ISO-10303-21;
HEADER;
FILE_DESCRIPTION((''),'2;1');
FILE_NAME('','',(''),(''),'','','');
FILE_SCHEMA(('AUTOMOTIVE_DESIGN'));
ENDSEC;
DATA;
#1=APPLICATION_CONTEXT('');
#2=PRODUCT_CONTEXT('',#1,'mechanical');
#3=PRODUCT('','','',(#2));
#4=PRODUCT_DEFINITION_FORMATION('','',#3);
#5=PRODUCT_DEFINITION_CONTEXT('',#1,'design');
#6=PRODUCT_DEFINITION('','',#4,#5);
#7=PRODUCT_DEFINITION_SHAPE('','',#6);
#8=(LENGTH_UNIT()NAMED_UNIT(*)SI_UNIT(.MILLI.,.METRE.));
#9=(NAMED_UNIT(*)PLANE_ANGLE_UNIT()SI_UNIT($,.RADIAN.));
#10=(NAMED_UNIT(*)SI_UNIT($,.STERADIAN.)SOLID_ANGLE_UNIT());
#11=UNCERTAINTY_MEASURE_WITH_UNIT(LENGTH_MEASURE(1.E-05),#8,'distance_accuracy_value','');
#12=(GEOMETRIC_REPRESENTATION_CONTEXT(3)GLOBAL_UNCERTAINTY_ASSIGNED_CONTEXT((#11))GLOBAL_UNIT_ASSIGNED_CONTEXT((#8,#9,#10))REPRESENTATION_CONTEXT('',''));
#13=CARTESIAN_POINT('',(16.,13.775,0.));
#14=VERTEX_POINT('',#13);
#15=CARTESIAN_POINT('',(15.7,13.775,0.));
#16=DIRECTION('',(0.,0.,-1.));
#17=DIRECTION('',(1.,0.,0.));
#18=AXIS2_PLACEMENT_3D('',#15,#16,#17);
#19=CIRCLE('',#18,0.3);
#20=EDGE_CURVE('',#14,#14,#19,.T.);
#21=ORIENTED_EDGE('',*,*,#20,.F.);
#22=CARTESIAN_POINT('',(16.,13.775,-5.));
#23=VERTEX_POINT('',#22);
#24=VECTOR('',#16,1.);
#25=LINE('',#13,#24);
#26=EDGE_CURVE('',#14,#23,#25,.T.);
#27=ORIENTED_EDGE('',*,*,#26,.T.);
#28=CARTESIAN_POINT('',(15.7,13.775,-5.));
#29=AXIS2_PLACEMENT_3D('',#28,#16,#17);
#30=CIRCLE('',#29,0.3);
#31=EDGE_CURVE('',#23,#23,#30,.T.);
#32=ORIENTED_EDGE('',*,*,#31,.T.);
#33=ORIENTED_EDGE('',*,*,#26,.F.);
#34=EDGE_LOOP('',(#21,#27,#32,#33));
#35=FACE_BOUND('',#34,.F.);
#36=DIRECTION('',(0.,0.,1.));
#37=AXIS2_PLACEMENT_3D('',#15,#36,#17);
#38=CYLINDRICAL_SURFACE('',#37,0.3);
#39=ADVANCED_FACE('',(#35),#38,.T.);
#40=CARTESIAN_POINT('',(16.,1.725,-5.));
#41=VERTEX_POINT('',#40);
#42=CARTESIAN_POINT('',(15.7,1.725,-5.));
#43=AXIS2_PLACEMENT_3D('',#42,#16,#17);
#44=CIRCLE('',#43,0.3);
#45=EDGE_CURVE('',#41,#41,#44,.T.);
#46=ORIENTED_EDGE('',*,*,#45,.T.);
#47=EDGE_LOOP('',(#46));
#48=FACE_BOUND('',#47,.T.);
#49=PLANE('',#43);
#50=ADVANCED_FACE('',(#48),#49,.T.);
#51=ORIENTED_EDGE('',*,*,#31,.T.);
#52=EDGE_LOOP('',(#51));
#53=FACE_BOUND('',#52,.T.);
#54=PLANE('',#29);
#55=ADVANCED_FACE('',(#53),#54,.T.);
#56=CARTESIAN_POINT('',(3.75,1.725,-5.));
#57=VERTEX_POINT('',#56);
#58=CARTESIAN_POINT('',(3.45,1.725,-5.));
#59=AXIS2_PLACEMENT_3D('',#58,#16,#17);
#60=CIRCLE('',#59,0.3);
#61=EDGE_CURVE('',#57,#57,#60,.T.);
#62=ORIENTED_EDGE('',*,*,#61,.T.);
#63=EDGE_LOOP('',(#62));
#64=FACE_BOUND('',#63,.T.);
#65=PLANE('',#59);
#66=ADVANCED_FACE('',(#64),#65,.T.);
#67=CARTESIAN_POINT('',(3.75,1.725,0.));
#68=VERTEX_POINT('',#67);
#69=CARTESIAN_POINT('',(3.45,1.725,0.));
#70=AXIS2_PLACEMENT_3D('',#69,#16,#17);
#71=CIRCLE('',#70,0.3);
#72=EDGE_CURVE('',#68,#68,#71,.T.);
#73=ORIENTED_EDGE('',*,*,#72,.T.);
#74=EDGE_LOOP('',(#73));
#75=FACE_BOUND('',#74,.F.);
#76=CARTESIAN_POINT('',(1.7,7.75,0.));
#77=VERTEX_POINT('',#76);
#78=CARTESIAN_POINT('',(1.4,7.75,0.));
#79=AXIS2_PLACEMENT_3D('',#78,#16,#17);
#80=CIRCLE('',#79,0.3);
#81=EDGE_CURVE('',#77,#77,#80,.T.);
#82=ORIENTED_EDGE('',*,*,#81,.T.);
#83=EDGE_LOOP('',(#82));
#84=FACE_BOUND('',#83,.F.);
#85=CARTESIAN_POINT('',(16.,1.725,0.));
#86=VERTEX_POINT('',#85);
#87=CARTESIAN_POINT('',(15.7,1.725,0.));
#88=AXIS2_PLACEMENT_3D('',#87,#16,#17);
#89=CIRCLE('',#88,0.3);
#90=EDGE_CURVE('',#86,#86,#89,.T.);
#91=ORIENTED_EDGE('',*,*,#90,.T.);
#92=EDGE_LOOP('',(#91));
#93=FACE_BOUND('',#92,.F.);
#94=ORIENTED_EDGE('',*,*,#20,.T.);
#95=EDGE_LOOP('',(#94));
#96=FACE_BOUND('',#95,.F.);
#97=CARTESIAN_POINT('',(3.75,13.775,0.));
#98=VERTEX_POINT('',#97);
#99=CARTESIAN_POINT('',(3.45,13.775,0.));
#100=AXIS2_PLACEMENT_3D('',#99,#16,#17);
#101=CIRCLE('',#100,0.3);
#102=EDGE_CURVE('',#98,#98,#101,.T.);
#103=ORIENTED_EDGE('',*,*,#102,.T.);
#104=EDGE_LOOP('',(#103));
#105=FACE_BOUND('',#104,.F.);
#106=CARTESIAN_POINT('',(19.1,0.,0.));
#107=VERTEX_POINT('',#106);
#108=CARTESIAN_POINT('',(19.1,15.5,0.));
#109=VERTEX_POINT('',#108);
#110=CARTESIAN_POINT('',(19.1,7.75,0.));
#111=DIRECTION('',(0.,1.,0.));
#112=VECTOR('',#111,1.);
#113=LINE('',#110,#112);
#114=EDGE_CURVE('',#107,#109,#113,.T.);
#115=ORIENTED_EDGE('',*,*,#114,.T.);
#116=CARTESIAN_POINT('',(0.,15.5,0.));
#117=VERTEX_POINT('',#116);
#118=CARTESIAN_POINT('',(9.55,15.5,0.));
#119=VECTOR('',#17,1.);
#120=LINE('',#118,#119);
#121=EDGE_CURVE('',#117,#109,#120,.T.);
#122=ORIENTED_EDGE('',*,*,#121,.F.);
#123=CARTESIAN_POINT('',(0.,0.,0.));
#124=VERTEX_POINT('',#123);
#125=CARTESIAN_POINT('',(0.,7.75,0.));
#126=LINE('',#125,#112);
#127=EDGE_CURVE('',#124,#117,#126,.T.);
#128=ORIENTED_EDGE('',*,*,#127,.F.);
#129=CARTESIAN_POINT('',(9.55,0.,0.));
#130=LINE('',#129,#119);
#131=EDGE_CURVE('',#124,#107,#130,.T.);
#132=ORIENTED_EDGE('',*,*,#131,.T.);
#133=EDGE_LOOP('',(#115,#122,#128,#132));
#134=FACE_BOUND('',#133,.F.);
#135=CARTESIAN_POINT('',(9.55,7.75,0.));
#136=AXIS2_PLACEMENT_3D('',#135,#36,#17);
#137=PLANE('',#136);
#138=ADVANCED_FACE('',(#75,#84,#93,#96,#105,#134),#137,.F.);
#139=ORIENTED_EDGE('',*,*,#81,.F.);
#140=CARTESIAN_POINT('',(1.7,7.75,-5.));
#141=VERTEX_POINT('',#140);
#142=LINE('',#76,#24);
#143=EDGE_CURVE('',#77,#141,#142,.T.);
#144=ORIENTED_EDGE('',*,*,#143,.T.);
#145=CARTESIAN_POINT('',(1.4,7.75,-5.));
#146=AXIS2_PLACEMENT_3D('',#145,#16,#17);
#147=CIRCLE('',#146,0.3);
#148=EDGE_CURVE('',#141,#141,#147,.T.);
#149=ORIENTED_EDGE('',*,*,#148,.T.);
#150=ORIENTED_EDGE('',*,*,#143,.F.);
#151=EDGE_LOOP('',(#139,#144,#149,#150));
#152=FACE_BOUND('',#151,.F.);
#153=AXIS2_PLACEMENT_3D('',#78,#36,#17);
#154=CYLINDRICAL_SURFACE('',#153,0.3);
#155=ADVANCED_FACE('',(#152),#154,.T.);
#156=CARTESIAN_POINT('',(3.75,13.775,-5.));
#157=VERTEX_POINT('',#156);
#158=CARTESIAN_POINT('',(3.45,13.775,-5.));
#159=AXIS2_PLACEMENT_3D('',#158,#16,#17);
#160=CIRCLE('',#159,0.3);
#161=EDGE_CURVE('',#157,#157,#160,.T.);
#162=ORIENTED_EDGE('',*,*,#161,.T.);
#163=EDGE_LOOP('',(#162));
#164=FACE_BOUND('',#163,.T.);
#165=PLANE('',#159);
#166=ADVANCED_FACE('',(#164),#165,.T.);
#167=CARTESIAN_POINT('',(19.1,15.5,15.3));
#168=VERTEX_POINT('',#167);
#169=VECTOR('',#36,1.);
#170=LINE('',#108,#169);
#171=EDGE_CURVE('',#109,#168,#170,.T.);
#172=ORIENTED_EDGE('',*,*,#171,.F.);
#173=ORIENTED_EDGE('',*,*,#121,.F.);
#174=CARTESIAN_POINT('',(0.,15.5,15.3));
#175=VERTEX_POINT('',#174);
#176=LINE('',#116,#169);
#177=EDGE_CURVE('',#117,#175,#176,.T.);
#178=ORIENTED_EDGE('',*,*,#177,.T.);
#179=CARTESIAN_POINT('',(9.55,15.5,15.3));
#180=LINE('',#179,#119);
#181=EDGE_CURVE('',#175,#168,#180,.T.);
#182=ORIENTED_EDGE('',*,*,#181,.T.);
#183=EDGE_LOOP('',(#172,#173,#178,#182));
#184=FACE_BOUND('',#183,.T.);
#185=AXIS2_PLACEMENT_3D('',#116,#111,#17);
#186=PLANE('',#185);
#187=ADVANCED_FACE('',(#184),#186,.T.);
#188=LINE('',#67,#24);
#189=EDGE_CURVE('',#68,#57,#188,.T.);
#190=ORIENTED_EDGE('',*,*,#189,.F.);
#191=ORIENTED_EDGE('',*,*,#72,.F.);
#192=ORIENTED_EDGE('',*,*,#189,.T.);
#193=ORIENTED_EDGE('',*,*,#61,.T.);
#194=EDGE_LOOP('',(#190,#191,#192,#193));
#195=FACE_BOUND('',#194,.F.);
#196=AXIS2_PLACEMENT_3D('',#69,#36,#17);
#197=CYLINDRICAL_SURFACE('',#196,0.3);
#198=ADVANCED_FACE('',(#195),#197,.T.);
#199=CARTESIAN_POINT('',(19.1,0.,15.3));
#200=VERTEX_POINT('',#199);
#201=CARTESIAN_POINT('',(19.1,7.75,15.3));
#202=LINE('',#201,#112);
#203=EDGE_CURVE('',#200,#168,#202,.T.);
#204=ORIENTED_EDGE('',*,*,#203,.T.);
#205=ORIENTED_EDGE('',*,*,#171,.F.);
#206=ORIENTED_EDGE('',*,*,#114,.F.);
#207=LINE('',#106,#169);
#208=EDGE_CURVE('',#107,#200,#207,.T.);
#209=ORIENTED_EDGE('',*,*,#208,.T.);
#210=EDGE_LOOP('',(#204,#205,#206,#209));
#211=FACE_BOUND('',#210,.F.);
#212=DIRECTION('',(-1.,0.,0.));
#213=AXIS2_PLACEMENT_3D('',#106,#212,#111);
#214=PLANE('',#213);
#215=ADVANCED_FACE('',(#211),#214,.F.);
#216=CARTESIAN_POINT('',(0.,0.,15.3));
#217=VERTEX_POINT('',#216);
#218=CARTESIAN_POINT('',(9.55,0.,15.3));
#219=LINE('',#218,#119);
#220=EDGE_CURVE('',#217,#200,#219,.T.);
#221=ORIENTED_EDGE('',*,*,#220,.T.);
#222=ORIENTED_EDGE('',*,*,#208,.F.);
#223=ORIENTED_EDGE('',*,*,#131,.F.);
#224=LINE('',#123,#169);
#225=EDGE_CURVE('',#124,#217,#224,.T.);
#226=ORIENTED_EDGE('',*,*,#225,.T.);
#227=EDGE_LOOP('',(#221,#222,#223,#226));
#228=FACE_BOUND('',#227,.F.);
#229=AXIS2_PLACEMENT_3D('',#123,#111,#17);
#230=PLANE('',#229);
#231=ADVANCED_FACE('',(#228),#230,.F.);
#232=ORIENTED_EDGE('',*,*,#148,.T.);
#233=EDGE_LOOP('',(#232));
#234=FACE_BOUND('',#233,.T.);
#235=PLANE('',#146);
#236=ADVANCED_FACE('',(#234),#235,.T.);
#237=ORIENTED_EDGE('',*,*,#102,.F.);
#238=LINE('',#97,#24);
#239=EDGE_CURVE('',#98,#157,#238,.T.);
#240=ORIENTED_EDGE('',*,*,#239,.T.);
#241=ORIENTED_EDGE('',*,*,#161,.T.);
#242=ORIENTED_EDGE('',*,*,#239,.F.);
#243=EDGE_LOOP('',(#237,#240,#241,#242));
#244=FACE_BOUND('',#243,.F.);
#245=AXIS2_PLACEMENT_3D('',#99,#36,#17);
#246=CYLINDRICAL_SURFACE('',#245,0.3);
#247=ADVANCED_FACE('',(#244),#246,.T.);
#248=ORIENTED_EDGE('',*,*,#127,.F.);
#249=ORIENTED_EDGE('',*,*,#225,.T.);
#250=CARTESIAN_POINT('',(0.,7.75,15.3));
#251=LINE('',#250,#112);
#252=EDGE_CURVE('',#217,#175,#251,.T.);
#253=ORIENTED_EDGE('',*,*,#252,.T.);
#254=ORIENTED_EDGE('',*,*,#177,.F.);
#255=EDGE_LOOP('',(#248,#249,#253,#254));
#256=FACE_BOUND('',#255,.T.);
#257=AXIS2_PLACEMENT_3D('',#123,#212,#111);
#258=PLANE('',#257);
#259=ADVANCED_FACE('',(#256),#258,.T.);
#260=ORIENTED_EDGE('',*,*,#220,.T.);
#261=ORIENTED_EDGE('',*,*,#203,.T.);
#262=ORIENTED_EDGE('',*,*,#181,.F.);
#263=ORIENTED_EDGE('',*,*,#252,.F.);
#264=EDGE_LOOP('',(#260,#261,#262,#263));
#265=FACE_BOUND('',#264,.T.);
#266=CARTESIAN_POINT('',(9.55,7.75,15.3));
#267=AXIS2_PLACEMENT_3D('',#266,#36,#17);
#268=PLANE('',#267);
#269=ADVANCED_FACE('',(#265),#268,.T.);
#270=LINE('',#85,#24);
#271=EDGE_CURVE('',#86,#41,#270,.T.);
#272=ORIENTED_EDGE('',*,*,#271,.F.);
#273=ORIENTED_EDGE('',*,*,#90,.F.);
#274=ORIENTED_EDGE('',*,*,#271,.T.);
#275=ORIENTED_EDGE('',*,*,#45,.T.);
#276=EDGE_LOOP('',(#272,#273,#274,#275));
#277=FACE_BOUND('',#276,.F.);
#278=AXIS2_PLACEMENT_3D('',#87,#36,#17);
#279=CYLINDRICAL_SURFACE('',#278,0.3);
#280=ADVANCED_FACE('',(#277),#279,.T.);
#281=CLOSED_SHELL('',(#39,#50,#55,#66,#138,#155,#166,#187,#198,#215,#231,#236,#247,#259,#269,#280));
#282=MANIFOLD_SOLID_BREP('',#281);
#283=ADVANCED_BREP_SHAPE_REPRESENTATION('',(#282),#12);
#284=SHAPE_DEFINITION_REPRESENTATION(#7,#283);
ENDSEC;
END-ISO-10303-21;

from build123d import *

# Parameters (mm, degrees)
BOX_W     = 19.1
BOX_H     = 15.5
BOX_DEPTH = 15.3
SKETCH_R  = 0.3
PAD_DEPTH = 5
FILLET_R  = 0.1


with BuildPart() as cube:
    # Box → Box (new body)
    with BuildSketch(Plane.XY):
        with Locations((9.55, 7.75)):
            Rectangle(BOX_W, BOX_H)
    extrude(amount=BOX_DEPTH)


with BuildPart() as pad:
    # Pad base: copy of Cube
    add(cube.part)

    # Sketch → Pad (new body)
    with BuildSketch(Plane(origin=(0, 0, 0), x_dir=(1, 0, 0), z_dir=(0, 0, -1))):
        with Locations((1.4, -7.75)):
            Circle(SKETCH_R)
        with Locations((3.45, -1.725)):
            Circle(SKETCH_R)
        with Locations((15.7, -1.725)):
            Circle(SKETCH_R)
        with Locations((3.45, -13.775)):
            Circle(SKETCH_R)
        with Locations((15.7, -13.775)):
            Circle(SKETCH_R)
    extrude(amount=PAD_DEPTH)


with BuildPart() as fillet_body:
    # Fillet base: copy of Pad
    add(pad.part)

    # Fillet
    fillet_edges = [fillet_body.edges().sort_by_distance(p)[0] for p in [
        (9.55, 0, 15.3),
        (0, 7.75, 15.3),
        (9.55, 15.5, 15.3),
        (19.1, 7.75, 15.3),
    ]]
    fillet(fillet_edges, radius=FILLET_R)


with BuildPart() as fusion:
    # Fusion base: copy of Pad
    add(pad.part)

    # Fusion: union Fillet body
    add(fillet_body.part)


with BuildPart() as fusion001:
    # Fusion001 base: copy of Cube
    add(cube.part)

    # Fusion001: union Fusion
    add(fusion.part)


solid = fusion001.part
